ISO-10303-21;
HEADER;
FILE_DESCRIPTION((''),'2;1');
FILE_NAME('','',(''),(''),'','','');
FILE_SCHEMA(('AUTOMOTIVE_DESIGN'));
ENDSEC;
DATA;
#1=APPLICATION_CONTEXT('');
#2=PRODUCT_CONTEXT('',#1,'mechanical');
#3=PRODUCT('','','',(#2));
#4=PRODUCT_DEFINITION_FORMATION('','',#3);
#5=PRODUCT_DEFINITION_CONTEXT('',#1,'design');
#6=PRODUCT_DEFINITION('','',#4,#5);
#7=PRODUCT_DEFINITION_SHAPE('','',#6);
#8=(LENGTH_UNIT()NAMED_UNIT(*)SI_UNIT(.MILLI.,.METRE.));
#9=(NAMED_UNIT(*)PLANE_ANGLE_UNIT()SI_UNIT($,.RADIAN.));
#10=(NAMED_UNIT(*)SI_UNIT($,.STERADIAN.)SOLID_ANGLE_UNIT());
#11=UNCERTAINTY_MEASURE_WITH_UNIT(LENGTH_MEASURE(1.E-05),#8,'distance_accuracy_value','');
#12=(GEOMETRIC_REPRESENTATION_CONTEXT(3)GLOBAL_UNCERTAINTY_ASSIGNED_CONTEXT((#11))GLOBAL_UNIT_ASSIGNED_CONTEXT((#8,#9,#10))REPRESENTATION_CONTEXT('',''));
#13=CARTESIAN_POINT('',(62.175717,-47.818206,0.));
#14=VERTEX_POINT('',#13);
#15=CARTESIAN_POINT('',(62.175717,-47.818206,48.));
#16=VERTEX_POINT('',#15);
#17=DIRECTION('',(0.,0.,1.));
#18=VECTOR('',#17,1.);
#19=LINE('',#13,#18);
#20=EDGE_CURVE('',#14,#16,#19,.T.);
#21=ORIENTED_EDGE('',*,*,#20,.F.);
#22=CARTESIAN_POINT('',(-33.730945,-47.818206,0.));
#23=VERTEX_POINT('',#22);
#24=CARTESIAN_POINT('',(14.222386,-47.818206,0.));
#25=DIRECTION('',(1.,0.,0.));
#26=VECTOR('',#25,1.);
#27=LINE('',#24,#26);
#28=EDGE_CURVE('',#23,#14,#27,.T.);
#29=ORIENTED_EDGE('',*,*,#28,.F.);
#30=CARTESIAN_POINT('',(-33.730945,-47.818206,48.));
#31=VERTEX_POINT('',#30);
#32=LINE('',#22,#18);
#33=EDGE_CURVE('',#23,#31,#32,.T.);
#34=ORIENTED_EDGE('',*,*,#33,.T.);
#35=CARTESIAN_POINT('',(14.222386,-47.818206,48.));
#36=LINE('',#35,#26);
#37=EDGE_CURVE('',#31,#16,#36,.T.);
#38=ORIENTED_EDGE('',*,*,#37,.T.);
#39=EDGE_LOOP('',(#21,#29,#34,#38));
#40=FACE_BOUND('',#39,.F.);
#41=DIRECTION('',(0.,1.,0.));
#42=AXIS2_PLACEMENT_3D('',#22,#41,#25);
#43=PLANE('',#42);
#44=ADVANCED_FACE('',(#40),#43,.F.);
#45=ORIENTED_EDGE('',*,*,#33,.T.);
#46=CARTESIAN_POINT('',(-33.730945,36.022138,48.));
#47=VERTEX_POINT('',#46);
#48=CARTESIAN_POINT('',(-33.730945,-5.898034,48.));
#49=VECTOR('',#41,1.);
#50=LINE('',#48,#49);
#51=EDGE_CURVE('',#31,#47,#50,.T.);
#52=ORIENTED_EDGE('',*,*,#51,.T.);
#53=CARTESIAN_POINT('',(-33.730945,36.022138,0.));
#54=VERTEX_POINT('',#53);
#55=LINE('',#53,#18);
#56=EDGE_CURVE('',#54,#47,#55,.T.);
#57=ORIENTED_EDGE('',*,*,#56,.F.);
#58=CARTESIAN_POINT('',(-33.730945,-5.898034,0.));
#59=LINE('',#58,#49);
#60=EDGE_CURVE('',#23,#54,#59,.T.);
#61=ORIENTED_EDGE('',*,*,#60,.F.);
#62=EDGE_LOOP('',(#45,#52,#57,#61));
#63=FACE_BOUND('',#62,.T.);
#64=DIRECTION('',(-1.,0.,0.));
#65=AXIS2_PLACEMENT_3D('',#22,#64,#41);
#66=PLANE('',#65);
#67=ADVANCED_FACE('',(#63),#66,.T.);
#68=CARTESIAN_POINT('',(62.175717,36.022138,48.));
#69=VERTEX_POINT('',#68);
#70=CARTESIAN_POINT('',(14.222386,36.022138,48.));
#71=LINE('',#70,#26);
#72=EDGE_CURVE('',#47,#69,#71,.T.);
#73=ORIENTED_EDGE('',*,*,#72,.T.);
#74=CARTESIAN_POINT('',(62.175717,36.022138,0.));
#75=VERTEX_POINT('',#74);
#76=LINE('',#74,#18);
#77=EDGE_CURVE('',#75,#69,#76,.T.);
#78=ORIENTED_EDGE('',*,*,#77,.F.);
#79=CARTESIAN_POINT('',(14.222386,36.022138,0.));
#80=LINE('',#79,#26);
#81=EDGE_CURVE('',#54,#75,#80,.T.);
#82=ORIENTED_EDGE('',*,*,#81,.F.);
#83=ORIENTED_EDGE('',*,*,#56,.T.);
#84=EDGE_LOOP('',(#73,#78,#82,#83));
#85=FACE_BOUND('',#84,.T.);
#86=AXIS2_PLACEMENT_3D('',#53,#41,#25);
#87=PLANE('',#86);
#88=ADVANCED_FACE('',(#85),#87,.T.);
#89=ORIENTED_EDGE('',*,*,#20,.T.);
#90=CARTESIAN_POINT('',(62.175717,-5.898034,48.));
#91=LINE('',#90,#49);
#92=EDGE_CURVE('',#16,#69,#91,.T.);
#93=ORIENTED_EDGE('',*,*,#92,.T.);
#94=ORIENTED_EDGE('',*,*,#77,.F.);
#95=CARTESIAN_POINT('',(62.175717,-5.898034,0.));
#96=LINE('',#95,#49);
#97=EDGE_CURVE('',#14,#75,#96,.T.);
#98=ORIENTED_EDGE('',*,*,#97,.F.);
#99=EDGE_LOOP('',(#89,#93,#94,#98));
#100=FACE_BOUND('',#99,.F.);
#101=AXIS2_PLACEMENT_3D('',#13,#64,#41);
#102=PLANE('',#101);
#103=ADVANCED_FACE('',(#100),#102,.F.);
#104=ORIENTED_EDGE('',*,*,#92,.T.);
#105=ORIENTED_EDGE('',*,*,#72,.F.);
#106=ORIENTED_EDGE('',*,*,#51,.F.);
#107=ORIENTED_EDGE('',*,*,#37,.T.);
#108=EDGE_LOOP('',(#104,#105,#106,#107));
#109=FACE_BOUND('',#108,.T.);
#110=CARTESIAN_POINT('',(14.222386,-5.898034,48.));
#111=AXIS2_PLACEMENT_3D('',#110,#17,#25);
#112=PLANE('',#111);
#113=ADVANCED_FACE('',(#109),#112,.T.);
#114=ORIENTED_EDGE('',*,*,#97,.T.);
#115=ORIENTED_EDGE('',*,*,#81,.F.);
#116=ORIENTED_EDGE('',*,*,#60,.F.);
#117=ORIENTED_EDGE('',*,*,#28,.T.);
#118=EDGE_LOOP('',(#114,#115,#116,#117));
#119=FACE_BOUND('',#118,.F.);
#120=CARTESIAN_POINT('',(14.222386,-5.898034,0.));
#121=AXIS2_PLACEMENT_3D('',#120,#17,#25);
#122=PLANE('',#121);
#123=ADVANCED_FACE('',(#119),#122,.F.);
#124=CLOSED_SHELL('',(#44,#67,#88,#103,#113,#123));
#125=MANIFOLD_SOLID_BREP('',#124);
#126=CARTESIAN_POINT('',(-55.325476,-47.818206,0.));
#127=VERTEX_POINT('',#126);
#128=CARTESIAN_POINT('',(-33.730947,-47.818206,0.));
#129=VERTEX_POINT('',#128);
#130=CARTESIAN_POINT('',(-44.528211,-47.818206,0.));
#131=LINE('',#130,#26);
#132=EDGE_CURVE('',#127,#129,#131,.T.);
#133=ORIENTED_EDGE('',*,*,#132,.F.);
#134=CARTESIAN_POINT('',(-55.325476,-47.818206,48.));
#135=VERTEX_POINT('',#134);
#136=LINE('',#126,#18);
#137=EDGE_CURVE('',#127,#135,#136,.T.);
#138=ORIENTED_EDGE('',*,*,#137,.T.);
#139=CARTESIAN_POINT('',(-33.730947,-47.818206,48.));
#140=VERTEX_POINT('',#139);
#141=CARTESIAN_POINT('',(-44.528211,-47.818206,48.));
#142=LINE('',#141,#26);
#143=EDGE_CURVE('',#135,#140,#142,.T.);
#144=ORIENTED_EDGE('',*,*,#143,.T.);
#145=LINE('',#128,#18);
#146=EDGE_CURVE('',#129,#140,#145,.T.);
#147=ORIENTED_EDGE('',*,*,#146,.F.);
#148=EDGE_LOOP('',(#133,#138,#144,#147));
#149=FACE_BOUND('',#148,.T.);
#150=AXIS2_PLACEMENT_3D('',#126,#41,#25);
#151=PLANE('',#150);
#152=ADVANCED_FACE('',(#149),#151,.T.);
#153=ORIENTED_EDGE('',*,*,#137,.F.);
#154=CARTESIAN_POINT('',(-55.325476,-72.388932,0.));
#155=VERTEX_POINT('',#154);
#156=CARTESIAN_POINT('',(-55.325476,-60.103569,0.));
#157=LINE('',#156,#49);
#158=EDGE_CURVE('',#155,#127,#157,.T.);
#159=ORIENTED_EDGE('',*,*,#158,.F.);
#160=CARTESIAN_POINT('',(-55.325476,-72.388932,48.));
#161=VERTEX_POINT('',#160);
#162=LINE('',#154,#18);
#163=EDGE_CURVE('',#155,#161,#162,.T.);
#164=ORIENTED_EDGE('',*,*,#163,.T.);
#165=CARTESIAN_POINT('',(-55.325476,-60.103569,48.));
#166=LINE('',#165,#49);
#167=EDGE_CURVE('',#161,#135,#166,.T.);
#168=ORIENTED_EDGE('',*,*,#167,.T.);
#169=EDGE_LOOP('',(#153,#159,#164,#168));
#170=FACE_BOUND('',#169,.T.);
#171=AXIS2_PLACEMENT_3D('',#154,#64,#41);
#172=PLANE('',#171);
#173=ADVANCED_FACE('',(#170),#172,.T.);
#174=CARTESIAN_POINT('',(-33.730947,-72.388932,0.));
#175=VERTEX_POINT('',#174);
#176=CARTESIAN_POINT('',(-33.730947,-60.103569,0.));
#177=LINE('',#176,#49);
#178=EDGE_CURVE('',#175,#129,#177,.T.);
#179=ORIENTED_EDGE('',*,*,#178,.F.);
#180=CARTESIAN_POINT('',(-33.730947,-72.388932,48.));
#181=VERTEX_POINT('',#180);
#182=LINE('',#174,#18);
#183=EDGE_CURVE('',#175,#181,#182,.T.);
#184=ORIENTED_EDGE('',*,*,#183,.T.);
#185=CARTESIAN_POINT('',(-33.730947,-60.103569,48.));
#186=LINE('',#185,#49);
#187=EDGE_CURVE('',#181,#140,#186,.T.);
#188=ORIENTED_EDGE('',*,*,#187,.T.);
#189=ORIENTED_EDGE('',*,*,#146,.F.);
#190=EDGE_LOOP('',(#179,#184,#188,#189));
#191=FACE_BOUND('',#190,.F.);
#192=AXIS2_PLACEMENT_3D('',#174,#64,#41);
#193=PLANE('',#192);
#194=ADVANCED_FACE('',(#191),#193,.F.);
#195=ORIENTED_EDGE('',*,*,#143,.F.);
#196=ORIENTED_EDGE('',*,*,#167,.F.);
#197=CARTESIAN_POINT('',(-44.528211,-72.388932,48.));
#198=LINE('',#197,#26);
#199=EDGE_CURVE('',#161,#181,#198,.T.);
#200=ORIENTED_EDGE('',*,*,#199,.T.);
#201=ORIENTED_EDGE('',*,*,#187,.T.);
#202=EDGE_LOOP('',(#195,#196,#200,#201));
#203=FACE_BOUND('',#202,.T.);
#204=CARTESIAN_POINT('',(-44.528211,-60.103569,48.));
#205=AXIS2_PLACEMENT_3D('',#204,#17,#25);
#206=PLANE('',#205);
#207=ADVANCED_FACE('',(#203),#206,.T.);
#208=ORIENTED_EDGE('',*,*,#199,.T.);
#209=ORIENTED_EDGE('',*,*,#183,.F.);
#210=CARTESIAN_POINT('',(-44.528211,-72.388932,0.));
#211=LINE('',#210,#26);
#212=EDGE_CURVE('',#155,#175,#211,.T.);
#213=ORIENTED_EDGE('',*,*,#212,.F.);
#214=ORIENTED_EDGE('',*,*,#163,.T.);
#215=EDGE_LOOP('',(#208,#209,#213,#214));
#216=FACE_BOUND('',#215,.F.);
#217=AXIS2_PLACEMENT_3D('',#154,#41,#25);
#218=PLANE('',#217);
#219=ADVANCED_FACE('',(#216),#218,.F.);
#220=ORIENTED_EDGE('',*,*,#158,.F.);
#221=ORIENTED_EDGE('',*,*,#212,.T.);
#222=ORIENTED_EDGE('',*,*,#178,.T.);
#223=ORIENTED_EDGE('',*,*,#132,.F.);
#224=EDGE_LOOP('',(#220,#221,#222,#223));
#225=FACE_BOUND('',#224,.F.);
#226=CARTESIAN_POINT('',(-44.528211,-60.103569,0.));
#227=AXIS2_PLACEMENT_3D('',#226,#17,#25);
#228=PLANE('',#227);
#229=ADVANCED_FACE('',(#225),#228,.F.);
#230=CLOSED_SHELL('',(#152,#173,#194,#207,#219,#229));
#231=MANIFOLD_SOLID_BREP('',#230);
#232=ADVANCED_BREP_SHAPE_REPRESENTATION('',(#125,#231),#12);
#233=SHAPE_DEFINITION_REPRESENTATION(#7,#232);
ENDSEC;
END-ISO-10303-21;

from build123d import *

# Parameters (mm, degrees)
F0_W     = 21.594529
F0_H     = 24.570726
F0_W_2   = 95.906663
F0_H_2   = 83.840344
F1_DEPTH = 48


with BuildPart() as f1:
    # F0 (on Top) → F1 (new body)
    with BuildSketch(Plane.XY):
        with Locations((-44.528211, -60.103569)):
            Rectangle(F0_W, F0_H)
        with Locations((14.222386, -5.898034)):
            Rectangle(F0_W_2, F0_H_2)
    extrude(amount=F1_DEPTH)


solid = f1.part
